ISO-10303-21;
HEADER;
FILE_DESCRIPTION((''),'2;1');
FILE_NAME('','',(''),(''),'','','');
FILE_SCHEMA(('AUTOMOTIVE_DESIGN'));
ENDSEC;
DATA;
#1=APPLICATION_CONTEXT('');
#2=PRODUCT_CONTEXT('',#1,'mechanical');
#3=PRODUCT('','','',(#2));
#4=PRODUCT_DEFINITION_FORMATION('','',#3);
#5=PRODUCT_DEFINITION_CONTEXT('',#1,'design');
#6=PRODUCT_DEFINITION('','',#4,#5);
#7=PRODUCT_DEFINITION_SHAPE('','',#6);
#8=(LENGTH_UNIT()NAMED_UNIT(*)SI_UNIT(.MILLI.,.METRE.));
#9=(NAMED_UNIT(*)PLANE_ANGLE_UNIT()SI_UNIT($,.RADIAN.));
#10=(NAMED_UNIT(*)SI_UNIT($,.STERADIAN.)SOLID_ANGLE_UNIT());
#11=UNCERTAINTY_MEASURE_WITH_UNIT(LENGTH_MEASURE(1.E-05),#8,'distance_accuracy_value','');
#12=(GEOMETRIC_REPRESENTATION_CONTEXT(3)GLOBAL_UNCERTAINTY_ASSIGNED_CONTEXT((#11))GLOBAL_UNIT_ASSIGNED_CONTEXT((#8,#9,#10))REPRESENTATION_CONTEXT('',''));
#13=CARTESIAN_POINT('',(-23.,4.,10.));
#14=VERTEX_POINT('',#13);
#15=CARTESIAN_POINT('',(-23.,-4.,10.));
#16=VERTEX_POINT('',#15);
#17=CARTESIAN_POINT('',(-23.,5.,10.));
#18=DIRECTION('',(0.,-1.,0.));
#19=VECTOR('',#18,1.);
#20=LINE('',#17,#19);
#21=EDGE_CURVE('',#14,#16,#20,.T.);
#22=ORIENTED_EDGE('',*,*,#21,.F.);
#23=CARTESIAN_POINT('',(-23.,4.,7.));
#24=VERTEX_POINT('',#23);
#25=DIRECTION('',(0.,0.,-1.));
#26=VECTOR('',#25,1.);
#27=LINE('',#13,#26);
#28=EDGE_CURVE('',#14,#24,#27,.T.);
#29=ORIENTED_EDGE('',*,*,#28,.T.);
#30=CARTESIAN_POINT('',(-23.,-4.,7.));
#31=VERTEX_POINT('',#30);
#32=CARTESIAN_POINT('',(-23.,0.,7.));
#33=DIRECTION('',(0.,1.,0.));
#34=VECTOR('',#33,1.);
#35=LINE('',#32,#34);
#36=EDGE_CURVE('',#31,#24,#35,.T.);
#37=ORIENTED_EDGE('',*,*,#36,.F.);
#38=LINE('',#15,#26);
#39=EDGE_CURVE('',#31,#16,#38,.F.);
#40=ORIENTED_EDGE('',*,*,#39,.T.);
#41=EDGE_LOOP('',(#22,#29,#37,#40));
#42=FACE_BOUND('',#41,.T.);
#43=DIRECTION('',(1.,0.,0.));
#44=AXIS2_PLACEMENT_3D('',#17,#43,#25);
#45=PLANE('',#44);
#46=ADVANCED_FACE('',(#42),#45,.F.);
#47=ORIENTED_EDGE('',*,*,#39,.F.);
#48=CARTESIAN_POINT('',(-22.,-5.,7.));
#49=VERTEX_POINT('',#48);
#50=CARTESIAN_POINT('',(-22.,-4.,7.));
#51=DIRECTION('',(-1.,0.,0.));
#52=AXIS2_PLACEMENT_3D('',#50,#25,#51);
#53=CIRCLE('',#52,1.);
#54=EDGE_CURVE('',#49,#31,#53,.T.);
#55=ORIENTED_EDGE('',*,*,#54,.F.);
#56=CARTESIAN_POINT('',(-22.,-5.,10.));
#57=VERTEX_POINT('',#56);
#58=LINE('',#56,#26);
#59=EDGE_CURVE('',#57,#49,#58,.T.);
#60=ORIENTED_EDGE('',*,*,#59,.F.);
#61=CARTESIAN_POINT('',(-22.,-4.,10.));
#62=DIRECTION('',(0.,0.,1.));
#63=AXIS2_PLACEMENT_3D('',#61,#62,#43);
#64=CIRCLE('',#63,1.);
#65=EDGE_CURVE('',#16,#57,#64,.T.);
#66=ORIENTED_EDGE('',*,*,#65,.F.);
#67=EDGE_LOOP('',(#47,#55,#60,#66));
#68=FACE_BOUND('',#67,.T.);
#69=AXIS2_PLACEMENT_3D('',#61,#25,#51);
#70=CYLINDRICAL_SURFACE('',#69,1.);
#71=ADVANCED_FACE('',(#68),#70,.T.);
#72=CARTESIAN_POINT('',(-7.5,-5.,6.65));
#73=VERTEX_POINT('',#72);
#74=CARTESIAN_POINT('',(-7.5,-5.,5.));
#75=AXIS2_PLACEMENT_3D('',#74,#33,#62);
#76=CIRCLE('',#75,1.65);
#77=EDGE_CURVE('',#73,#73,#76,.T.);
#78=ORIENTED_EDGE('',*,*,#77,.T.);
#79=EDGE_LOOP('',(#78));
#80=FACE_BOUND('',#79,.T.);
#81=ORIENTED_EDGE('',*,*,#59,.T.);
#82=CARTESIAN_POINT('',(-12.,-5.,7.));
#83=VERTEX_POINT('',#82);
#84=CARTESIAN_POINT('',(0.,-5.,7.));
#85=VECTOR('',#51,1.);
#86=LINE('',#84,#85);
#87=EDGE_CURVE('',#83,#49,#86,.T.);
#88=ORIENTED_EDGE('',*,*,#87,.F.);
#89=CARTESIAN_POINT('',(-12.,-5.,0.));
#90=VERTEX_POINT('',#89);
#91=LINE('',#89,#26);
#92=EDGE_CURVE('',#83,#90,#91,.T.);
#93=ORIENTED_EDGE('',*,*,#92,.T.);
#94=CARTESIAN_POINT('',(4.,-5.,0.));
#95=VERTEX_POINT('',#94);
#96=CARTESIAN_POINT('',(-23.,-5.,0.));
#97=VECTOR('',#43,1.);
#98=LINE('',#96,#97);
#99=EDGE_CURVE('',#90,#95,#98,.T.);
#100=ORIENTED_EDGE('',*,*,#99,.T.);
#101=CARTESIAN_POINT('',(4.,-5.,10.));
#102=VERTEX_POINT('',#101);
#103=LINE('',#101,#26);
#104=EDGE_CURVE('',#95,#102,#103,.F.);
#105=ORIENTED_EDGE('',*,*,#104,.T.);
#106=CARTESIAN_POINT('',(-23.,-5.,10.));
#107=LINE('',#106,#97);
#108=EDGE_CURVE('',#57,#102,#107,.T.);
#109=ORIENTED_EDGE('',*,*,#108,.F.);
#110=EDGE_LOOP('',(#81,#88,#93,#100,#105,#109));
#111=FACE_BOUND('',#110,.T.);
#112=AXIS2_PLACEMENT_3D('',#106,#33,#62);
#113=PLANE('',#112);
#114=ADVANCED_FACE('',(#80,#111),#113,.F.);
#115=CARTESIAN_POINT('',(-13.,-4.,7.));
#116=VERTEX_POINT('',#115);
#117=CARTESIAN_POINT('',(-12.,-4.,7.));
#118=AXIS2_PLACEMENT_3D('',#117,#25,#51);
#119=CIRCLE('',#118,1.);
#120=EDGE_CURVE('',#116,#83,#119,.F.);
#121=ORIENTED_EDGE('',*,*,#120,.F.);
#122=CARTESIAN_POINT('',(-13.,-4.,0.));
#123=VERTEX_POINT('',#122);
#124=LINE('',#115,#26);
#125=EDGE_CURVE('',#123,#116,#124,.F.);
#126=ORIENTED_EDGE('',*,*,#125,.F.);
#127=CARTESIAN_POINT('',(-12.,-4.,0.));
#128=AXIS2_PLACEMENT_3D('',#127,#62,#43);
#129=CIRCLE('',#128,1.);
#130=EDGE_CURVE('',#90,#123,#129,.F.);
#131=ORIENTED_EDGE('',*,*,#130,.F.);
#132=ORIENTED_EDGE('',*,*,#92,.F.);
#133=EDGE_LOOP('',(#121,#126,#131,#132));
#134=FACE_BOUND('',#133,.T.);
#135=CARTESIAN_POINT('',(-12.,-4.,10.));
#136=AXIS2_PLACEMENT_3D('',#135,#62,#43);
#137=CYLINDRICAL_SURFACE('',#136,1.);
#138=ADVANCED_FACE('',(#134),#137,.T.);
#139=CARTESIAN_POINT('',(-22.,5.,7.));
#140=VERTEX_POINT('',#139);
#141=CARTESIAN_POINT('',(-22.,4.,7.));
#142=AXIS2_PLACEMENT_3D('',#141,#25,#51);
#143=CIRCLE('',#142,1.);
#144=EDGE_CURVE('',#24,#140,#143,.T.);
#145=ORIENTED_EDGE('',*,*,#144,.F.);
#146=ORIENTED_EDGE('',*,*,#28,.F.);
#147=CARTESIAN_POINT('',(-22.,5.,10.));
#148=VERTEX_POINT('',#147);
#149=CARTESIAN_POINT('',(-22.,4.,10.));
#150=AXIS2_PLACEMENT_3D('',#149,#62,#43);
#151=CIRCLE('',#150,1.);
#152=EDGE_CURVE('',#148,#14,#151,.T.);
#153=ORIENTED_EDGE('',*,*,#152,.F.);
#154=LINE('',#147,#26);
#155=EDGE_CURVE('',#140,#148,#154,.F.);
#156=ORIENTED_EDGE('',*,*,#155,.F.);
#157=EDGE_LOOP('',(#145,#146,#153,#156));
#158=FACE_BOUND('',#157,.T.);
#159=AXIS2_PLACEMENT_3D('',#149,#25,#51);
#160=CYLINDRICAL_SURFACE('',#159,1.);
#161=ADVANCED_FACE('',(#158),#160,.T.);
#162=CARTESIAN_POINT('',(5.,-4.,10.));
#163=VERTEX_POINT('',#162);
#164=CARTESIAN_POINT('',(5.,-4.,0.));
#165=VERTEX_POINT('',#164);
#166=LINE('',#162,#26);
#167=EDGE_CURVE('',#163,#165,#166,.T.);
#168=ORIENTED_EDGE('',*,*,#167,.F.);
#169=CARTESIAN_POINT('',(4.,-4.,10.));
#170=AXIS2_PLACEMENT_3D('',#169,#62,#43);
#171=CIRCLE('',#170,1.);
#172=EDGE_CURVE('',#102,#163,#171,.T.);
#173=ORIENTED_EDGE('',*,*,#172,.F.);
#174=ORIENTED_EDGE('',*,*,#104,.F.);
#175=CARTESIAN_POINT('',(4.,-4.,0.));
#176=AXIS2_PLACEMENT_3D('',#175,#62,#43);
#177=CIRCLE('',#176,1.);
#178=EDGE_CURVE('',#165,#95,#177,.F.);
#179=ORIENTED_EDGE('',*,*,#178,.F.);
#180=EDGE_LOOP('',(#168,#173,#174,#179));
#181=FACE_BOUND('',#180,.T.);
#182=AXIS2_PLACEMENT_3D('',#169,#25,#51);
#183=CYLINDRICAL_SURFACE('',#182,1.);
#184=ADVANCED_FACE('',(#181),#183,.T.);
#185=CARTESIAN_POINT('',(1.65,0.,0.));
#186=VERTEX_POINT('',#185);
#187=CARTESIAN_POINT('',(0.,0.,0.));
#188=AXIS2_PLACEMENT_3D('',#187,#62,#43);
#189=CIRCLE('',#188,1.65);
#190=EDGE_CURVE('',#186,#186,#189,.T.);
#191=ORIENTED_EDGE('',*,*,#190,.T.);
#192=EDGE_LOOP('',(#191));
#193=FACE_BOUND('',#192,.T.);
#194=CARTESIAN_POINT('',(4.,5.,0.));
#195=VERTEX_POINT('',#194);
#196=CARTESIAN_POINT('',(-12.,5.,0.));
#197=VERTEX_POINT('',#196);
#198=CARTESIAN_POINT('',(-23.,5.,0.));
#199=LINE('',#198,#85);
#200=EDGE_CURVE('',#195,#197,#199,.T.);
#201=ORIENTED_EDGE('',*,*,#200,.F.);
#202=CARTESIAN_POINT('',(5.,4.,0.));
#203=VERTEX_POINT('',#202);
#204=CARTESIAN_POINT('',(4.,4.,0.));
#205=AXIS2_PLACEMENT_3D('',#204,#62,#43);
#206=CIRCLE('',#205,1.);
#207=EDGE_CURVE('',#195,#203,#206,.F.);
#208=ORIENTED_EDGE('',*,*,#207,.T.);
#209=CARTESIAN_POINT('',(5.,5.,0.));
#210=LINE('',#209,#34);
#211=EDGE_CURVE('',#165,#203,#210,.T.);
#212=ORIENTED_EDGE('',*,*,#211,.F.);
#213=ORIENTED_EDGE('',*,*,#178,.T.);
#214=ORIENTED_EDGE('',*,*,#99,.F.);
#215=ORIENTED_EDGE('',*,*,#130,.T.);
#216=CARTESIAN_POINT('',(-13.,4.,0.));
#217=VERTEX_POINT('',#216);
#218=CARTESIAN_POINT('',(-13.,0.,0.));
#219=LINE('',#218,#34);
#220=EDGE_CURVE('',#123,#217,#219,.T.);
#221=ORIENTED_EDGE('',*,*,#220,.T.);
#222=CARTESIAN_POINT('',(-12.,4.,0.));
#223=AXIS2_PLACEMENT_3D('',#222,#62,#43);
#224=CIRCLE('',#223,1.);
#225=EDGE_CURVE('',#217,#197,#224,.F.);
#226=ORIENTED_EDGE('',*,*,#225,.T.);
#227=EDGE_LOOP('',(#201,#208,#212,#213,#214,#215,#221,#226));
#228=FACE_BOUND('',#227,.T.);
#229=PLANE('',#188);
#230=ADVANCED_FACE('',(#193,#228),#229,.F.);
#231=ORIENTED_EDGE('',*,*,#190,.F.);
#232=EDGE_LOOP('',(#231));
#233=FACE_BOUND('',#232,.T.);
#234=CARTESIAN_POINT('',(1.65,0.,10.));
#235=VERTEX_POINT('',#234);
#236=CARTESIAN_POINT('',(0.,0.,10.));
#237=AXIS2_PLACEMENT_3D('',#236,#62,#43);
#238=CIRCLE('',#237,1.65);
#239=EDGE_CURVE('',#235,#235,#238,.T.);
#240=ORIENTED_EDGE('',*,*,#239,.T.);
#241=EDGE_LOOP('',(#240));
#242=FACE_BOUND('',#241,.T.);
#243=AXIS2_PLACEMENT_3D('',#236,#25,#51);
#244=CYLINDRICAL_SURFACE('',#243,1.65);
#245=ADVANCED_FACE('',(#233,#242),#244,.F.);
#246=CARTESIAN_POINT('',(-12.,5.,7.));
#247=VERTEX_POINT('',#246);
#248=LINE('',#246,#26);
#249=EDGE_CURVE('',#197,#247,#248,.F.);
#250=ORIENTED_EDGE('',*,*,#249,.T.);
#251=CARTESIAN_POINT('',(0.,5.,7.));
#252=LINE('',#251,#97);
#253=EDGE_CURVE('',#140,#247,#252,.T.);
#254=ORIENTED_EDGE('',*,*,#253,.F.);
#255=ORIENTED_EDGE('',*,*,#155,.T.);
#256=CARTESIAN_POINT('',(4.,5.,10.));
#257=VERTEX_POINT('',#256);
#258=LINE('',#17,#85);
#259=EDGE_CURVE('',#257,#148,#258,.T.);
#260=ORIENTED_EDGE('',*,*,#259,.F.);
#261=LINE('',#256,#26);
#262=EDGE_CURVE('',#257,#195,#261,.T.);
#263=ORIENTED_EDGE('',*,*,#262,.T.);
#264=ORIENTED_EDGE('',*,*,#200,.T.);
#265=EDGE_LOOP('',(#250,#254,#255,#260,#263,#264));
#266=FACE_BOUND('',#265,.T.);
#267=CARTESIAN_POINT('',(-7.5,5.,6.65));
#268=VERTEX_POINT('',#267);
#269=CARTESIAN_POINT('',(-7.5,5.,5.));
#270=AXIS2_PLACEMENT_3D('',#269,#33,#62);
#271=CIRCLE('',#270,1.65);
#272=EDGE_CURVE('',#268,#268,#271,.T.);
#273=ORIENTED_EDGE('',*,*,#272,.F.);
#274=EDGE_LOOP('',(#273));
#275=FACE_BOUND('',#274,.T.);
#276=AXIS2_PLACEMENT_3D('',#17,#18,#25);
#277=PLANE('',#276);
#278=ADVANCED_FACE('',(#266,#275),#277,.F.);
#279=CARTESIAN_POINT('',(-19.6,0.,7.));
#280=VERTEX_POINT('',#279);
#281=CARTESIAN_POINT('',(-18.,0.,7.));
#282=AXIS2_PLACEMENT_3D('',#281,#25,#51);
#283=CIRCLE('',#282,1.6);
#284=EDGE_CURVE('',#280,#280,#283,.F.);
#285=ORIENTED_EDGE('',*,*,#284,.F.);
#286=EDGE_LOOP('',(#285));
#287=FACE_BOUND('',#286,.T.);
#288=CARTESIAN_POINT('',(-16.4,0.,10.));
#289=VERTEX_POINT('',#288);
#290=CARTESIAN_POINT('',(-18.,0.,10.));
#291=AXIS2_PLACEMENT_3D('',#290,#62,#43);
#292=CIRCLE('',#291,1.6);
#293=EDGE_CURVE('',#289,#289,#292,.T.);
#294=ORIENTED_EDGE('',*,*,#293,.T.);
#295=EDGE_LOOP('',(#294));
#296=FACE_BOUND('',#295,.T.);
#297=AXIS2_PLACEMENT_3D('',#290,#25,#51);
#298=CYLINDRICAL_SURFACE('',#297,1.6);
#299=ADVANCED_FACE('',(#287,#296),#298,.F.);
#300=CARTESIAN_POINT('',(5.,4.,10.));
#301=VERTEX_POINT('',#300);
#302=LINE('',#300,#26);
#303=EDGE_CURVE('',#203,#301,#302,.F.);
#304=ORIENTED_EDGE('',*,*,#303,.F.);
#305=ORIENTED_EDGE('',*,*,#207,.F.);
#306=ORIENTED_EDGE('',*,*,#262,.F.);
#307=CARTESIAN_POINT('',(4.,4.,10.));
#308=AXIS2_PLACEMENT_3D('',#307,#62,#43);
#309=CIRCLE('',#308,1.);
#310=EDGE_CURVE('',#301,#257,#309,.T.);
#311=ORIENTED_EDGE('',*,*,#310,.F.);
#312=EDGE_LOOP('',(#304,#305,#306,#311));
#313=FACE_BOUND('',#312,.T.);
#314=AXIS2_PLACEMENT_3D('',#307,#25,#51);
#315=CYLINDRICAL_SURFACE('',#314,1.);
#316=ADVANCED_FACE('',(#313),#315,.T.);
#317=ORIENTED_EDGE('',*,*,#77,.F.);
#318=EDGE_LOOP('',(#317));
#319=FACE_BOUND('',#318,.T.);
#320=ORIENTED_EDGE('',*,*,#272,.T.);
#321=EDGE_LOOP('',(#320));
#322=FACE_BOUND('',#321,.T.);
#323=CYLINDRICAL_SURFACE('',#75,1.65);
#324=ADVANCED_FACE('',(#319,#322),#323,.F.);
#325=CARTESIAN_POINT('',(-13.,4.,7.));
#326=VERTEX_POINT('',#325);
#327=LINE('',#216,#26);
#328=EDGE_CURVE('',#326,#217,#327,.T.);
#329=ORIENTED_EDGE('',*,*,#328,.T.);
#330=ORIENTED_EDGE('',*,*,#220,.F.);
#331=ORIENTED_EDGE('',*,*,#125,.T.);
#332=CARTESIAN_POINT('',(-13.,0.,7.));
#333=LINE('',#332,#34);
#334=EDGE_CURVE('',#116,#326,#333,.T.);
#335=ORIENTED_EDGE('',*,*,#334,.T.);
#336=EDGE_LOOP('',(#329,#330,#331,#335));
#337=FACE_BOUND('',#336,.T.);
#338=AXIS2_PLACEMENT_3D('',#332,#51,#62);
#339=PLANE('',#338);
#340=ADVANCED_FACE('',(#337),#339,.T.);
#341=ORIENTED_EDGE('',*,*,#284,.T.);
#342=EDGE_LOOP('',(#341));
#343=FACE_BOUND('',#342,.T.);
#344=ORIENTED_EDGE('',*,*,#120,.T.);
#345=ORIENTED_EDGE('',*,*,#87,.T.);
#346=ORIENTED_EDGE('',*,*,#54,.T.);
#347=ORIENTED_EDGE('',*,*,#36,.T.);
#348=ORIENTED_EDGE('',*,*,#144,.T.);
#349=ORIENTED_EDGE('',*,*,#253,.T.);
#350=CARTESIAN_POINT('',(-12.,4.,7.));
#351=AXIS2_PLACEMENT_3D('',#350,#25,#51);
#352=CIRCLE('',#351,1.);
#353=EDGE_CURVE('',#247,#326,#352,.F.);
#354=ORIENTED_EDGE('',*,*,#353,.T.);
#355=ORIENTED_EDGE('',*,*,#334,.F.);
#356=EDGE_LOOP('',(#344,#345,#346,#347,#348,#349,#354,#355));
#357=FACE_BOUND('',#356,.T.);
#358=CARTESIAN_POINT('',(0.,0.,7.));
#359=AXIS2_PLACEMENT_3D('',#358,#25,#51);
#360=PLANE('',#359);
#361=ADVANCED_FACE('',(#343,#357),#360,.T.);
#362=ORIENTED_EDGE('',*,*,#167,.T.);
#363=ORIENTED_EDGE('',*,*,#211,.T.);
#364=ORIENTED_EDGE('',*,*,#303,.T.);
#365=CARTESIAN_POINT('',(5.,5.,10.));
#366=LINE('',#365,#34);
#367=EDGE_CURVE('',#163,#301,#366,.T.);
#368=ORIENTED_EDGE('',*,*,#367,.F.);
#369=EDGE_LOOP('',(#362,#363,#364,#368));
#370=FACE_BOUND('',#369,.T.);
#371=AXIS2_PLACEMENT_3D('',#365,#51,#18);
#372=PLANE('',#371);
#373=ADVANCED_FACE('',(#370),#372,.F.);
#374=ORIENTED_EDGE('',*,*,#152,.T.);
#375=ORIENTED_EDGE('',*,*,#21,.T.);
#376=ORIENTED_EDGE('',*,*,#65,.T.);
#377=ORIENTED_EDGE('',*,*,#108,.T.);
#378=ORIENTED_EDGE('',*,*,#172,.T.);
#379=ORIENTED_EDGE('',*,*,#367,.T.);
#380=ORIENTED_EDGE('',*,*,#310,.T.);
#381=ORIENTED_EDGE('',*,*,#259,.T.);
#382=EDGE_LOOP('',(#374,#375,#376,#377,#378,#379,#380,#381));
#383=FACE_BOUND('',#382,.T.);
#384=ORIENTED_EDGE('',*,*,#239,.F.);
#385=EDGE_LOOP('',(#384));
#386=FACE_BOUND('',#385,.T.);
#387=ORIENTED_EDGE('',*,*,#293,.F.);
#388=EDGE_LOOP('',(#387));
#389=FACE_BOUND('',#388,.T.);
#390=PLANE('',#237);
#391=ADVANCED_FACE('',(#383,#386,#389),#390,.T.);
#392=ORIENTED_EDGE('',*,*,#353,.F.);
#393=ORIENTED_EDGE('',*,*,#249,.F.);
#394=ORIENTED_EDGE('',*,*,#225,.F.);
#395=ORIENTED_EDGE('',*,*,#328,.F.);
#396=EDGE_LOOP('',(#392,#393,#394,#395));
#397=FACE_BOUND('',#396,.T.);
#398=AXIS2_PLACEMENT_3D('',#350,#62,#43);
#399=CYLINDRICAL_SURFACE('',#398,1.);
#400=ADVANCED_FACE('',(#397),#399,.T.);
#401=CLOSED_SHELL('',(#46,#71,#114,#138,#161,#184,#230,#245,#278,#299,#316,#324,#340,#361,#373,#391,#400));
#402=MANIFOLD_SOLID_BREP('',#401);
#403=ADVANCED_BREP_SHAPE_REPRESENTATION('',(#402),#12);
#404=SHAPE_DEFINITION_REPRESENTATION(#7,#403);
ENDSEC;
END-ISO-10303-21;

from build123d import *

# Parameters (mm, degrees)
SKETCH_1_W          = 28
SKETCH_1_H          = 10
SKETCH_1_R          = 1.65
SKETCH_1_R_2        = 1.6
EXTRUDE_1_DEPTH     = 10
SKETCH_2_R          = 1.65
CUT_EXTRUDE_1_DEPTH = 28
SKETCH_3_W          = 10
SKETCH_3_H          = 10
SKETCH_3_R          = 1.6
CUT_EXTRUDE_2_DEPTH = 7
FILLET_1_R          = 1


with BuildPart() as part:
    # ｽｹｯﾁ1 → ﾎﾞｽ - 押し出し1 (new body)
    with BuildSketch(Plane.XY):
        with Locations((-9, 0)):
            Rectangle(SKETCH_1_W, SKETCH_1_H)
        Circle(SKETCH_1_R, mode=Mode.SUBTRACT)
        with Locations((-18, 0)):
            Circle(SKETCH_1_R_2, mode=Mode.SUBTRACT)
    extrude(amount=EXTRUDE_1_DEPTH)

    # ｽｹｯﾁ2 → ｶｯﾄ - 押し出し1 (cut, through all)
    with BuildSketch(Plane(origin=(0, 5, 0), x_dir=(1, 0, 0), z_dir=(0, 1, 0))):
        with Locations(Location((-7.5, -5, 0), (0, 0, 270))):
            Circle(SKETCH_2_R)
    extrude(amount=-CUT_EXTRUDE_1_DEPTH, mode=Mode.SUBTRACT)

    # ｽｹｯﾁ3 → ｶｯﾄ - 押し出し2 (cut)
    with BuildSketch(Plane(origin=(0, 0, 0), x_dir=(-1, 0, 0), z_dir=(0, 0, -1))):
        with Locations((18, 0)):
            Rectangle(SKETCH_3_W, SKETCH_3_H)
        with Locations((18, 0)):
            Circle(SKETCH_3_R, mode=Mode.SUBTRACT)
    extrude(amount=-CUT_EXTRUDE_2_DEPTH, mode=Mode.SUBTRACT)

    # ﾌｨﾚｯﾄ1
    fillet_1_edges = [part.edges().sort_by_distance(p)[0] for p in [
        (-13, -5, 3.5),
        (-13, 5, 3.5),
        (5, -5, 5),
        (-23, -5, 8.5),
        (-23, 5, 8.5),
        (5, 5, 5),
    ]]
    fillet(fillet_1_edges, radius=FILLET_1_R)


solid = part.part
